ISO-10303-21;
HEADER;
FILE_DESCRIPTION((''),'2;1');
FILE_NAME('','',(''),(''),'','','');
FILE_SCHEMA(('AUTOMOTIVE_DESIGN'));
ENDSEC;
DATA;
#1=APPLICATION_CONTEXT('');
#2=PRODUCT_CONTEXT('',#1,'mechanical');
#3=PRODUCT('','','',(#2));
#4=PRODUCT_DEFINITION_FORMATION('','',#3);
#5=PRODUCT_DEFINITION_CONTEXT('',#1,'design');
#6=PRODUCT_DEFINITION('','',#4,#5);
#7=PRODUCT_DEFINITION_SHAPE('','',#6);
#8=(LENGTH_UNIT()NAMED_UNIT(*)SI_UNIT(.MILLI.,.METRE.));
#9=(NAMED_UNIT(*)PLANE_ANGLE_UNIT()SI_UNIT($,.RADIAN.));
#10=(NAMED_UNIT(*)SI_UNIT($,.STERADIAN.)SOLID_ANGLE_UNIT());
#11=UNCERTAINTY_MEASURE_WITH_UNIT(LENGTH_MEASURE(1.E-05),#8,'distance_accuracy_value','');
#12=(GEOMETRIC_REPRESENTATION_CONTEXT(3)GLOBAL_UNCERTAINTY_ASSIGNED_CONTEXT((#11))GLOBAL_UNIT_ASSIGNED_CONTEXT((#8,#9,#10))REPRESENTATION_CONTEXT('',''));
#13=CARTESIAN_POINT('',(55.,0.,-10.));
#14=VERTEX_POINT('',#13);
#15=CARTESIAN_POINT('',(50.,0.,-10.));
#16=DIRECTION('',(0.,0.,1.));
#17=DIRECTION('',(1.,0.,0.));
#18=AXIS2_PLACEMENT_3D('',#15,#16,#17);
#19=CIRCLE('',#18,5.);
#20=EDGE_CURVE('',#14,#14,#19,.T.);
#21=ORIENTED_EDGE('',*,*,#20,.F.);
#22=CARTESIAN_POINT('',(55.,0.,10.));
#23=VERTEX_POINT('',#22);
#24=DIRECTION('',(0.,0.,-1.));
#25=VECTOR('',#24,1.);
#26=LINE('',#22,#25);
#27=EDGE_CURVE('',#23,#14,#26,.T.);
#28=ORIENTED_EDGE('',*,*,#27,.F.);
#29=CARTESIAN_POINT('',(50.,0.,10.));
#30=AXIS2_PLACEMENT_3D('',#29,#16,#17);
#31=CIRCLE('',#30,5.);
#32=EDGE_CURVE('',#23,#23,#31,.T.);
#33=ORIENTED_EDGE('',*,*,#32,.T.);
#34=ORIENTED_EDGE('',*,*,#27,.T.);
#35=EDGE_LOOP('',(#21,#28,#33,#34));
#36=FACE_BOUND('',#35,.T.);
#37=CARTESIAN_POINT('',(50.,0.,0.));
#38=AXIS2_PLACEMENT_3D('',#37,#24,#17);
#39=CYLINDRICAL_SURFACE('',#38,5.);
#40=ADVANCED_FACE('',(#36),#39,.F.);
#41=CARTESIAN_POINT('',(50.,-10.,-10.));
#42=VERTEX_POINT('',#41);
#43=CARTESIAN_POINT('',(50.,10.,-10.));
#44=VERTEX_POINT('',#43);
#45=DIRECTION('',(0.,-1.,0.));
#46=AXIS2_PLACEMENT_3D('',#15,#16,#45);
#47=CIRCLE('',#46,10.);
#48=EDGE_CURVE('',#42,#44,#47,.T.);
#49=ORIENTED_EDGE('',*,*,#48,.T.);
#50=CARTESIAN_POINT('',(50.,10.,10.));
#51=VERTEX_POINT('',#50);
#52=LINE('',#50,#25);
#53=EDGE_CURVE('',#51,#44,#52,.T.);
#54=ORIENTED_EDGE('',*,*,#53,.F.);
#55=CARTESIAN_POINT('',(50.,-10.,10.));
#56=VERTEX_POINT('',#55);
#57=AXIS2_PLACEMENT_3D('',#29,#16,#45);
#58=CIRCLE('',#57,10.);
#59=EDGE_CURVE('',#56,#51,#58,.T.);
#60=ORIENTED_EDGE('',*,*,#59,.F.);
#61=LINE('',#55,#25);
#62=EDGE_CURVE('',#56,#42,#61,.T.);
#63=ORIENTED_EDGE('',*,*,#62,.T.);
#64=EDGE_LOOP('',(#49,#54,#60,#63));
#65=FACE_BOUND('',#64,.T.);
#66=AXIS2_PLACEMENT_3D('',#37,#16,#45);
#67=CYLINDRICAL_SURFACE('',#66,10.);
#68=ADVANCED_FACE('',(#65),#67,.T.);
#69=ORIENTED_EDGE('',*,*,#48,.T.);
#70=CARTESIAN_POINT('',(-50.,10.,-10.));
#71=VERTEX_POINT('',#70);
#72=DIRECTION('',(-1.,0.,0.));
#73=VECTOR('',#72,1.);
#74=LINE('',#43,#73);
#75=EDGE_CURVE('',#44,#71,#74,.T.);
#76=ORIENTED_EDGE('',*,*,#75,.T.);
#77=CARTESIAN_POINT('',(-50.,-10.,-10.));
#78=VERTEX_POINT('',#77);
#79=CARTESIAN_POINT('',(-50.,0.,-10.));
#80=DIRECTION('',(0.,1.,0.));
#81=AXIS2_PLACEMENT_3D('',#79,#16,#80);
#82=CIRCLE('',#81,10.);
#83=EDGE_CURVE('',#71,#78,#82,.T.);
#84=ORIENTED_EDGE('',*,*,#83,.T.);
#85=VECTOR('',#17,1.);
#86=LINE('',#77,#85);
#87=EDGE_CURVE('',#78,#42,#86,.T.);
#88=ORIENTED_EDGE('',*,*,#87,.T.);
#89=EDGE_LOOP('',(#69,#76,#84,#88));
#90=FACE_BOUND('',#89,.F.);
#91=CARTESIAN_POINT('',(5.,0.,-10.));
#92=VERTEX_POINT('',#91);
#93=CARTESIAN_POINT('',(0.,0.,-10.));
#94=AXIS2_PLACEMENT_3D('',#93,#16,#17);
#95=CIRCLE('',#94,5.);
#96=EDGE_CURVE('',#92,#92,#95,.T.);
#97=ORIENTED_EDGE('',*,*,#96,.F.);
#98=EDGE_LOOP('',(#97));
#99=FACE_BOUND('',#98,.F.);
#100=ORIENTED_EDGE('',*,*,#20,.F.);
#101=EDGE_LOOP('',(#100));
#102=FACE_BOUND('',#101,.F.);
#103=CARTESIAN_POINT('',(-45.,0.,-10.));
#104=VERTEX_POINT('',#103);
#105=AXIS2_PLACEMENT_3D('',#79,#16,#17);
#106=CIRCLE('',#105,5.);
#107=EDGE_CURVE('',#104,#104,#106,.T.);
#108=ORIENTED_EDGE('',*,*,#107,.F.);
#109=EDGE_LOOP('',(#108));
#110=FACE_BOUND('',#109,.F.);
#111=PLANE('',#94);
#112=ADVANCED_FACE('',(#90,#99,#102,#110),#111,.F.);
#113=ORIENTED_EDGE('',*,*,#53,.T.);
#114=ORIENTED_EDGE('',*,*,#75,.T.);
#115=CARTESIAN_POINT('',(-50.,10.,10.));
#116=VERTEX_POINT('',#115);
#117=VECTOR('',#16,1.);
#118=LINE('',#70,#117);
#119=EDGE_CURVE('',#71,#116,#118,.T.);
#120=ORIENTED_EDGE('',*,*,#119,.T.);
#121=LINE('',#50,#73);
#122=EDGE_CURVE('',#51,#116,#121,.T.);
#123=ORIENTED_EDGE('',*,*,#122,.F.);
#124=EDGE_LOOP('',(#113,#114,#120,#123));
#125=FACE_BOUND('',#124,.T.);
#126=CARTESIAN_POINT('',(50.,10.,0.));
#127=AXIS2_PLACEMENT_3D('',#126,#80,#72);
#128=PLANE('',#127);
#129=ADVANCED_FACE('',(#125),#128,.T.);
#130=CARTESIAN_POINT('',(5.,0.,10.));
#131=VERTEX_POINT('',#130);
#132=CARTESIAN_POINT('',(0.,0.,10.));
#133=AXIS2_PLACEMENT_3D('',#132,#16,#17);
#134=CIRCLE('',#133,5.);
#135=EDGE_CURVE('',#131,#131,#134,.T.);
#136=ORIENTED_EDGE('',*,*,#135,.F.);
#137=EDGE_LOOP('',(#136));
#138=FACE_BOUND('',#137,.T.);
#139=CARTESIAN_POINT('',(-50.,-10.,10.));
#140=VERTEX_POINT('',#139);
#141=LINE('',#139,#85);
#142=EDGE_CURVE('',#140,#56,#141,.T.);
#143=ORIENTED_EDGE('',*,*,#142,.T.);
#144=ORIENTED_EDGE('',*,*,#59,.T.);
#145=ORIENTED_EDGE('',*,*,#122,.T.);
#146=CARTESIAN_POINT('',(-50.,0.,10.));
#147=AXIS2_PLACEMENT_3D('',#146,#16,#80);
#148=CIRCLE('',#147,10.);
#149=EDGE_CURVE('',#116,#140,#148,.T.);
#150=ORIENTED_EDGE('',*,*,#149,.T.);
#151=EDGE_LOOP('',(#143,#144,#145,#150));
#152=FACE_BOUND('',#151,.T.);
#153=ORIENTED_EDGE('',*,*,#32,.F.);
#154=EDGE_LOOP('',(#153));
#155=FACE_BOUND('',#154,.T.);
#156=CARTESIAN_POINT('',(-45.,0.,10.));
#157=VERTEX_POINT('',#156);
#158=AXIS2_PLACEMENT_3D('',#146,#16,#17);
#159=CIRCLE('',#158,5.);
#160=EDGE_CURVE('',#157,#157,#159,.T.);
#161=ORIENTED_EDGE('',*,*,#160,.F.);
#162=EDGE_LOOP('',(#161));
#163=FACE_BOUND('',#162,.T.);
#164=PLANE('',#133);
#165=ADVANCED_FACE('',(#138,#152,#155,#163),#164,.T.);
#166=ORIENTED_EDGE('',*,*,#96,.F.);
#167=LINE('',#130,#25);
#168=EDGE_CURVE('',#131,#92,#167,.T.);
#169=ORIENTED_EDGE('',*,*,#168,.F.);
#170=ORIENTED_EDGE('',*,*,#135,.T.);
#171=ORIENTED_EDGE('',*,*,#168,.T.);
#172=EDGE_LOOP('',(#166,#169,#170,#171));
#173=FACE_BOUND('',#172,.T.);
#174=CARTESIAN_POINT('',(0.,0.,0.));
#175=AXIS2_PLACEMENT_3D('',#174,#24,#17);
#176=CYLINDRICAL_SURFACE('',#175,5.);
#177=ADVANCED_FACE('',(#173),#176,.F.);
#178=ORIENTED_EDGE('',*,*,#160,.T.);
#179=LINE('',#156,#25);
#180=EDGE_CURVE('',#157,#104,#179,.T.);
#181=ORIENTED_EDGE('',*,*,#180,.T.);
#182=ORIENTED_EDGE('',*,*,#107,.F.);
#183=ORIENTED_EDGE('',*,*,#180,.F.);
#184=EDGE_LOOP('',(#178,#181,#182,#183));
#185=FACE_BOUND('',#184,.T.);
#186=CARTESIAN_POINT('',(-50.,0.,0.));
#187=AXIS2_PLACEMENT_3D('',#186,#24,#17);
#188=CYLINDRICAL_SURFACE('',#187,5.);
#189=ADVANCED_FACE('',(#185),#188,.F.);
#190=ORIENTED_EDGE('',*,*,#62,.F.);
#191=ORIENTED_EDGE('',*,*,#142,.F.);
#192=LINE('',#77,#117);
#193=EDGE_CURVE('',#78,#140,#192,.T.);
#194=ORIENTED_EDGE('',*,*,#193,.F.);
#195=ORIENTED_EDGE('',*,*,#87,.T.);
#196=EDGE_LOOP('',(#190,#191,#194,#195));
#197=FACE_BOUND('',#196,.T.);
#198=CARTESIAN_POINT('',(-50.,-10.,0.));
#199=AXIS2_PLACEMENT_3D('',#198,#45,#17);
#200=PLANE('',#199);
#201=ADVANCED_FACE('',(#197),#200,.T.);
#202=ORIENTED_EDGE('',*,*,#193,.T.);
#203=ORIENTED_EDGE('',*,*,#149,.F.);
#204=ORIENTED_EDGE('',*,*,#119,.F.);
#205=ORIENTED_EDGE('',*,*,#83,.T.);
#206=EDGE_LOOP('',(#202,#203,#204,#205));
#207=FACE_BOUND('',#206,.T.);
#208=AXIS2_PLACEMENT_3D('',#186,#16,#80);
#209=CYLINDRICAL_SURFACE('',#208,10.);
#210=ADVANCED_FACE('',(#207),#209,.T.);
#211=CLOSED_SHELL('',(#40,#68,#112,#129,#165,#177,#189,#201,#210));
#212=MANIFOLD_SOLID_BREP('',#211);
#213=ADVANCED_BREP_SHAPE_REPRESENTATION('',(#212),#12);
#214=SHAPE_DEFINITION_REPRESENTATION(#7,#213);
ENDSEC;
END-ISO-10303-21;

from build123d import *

# Parameters (mm, degrees)
F0_R     = 5
F1_DEPTH = 10


with BuildPart() as f1:
    # F0 (on Top) → F1 (new body, symmetric)
    with BuildSketch(Plane.XY):
        with BuildLine():
            Line((50, 10), (-50, 10))
            ThreePointArc((-50, 10), (-60, 0), (-50, -10))
            Line((-50, -10), (50, -10))
            ThreePointArc((50, -10), (60, 0), (50, 10))
        make_face()
        with Locations((-50, 0)):
            Circle(F0_R, mode=Mode.SUBTRACT)
        Circle(F0_R, mode=Mode.SUBTRACT)
        with Locations((50, 0)):
            Circle(F0_R, mode=Mode.SUBTRACT)
    extrude(amount=F1_DEPTH, both=True)


solid = f1.part
